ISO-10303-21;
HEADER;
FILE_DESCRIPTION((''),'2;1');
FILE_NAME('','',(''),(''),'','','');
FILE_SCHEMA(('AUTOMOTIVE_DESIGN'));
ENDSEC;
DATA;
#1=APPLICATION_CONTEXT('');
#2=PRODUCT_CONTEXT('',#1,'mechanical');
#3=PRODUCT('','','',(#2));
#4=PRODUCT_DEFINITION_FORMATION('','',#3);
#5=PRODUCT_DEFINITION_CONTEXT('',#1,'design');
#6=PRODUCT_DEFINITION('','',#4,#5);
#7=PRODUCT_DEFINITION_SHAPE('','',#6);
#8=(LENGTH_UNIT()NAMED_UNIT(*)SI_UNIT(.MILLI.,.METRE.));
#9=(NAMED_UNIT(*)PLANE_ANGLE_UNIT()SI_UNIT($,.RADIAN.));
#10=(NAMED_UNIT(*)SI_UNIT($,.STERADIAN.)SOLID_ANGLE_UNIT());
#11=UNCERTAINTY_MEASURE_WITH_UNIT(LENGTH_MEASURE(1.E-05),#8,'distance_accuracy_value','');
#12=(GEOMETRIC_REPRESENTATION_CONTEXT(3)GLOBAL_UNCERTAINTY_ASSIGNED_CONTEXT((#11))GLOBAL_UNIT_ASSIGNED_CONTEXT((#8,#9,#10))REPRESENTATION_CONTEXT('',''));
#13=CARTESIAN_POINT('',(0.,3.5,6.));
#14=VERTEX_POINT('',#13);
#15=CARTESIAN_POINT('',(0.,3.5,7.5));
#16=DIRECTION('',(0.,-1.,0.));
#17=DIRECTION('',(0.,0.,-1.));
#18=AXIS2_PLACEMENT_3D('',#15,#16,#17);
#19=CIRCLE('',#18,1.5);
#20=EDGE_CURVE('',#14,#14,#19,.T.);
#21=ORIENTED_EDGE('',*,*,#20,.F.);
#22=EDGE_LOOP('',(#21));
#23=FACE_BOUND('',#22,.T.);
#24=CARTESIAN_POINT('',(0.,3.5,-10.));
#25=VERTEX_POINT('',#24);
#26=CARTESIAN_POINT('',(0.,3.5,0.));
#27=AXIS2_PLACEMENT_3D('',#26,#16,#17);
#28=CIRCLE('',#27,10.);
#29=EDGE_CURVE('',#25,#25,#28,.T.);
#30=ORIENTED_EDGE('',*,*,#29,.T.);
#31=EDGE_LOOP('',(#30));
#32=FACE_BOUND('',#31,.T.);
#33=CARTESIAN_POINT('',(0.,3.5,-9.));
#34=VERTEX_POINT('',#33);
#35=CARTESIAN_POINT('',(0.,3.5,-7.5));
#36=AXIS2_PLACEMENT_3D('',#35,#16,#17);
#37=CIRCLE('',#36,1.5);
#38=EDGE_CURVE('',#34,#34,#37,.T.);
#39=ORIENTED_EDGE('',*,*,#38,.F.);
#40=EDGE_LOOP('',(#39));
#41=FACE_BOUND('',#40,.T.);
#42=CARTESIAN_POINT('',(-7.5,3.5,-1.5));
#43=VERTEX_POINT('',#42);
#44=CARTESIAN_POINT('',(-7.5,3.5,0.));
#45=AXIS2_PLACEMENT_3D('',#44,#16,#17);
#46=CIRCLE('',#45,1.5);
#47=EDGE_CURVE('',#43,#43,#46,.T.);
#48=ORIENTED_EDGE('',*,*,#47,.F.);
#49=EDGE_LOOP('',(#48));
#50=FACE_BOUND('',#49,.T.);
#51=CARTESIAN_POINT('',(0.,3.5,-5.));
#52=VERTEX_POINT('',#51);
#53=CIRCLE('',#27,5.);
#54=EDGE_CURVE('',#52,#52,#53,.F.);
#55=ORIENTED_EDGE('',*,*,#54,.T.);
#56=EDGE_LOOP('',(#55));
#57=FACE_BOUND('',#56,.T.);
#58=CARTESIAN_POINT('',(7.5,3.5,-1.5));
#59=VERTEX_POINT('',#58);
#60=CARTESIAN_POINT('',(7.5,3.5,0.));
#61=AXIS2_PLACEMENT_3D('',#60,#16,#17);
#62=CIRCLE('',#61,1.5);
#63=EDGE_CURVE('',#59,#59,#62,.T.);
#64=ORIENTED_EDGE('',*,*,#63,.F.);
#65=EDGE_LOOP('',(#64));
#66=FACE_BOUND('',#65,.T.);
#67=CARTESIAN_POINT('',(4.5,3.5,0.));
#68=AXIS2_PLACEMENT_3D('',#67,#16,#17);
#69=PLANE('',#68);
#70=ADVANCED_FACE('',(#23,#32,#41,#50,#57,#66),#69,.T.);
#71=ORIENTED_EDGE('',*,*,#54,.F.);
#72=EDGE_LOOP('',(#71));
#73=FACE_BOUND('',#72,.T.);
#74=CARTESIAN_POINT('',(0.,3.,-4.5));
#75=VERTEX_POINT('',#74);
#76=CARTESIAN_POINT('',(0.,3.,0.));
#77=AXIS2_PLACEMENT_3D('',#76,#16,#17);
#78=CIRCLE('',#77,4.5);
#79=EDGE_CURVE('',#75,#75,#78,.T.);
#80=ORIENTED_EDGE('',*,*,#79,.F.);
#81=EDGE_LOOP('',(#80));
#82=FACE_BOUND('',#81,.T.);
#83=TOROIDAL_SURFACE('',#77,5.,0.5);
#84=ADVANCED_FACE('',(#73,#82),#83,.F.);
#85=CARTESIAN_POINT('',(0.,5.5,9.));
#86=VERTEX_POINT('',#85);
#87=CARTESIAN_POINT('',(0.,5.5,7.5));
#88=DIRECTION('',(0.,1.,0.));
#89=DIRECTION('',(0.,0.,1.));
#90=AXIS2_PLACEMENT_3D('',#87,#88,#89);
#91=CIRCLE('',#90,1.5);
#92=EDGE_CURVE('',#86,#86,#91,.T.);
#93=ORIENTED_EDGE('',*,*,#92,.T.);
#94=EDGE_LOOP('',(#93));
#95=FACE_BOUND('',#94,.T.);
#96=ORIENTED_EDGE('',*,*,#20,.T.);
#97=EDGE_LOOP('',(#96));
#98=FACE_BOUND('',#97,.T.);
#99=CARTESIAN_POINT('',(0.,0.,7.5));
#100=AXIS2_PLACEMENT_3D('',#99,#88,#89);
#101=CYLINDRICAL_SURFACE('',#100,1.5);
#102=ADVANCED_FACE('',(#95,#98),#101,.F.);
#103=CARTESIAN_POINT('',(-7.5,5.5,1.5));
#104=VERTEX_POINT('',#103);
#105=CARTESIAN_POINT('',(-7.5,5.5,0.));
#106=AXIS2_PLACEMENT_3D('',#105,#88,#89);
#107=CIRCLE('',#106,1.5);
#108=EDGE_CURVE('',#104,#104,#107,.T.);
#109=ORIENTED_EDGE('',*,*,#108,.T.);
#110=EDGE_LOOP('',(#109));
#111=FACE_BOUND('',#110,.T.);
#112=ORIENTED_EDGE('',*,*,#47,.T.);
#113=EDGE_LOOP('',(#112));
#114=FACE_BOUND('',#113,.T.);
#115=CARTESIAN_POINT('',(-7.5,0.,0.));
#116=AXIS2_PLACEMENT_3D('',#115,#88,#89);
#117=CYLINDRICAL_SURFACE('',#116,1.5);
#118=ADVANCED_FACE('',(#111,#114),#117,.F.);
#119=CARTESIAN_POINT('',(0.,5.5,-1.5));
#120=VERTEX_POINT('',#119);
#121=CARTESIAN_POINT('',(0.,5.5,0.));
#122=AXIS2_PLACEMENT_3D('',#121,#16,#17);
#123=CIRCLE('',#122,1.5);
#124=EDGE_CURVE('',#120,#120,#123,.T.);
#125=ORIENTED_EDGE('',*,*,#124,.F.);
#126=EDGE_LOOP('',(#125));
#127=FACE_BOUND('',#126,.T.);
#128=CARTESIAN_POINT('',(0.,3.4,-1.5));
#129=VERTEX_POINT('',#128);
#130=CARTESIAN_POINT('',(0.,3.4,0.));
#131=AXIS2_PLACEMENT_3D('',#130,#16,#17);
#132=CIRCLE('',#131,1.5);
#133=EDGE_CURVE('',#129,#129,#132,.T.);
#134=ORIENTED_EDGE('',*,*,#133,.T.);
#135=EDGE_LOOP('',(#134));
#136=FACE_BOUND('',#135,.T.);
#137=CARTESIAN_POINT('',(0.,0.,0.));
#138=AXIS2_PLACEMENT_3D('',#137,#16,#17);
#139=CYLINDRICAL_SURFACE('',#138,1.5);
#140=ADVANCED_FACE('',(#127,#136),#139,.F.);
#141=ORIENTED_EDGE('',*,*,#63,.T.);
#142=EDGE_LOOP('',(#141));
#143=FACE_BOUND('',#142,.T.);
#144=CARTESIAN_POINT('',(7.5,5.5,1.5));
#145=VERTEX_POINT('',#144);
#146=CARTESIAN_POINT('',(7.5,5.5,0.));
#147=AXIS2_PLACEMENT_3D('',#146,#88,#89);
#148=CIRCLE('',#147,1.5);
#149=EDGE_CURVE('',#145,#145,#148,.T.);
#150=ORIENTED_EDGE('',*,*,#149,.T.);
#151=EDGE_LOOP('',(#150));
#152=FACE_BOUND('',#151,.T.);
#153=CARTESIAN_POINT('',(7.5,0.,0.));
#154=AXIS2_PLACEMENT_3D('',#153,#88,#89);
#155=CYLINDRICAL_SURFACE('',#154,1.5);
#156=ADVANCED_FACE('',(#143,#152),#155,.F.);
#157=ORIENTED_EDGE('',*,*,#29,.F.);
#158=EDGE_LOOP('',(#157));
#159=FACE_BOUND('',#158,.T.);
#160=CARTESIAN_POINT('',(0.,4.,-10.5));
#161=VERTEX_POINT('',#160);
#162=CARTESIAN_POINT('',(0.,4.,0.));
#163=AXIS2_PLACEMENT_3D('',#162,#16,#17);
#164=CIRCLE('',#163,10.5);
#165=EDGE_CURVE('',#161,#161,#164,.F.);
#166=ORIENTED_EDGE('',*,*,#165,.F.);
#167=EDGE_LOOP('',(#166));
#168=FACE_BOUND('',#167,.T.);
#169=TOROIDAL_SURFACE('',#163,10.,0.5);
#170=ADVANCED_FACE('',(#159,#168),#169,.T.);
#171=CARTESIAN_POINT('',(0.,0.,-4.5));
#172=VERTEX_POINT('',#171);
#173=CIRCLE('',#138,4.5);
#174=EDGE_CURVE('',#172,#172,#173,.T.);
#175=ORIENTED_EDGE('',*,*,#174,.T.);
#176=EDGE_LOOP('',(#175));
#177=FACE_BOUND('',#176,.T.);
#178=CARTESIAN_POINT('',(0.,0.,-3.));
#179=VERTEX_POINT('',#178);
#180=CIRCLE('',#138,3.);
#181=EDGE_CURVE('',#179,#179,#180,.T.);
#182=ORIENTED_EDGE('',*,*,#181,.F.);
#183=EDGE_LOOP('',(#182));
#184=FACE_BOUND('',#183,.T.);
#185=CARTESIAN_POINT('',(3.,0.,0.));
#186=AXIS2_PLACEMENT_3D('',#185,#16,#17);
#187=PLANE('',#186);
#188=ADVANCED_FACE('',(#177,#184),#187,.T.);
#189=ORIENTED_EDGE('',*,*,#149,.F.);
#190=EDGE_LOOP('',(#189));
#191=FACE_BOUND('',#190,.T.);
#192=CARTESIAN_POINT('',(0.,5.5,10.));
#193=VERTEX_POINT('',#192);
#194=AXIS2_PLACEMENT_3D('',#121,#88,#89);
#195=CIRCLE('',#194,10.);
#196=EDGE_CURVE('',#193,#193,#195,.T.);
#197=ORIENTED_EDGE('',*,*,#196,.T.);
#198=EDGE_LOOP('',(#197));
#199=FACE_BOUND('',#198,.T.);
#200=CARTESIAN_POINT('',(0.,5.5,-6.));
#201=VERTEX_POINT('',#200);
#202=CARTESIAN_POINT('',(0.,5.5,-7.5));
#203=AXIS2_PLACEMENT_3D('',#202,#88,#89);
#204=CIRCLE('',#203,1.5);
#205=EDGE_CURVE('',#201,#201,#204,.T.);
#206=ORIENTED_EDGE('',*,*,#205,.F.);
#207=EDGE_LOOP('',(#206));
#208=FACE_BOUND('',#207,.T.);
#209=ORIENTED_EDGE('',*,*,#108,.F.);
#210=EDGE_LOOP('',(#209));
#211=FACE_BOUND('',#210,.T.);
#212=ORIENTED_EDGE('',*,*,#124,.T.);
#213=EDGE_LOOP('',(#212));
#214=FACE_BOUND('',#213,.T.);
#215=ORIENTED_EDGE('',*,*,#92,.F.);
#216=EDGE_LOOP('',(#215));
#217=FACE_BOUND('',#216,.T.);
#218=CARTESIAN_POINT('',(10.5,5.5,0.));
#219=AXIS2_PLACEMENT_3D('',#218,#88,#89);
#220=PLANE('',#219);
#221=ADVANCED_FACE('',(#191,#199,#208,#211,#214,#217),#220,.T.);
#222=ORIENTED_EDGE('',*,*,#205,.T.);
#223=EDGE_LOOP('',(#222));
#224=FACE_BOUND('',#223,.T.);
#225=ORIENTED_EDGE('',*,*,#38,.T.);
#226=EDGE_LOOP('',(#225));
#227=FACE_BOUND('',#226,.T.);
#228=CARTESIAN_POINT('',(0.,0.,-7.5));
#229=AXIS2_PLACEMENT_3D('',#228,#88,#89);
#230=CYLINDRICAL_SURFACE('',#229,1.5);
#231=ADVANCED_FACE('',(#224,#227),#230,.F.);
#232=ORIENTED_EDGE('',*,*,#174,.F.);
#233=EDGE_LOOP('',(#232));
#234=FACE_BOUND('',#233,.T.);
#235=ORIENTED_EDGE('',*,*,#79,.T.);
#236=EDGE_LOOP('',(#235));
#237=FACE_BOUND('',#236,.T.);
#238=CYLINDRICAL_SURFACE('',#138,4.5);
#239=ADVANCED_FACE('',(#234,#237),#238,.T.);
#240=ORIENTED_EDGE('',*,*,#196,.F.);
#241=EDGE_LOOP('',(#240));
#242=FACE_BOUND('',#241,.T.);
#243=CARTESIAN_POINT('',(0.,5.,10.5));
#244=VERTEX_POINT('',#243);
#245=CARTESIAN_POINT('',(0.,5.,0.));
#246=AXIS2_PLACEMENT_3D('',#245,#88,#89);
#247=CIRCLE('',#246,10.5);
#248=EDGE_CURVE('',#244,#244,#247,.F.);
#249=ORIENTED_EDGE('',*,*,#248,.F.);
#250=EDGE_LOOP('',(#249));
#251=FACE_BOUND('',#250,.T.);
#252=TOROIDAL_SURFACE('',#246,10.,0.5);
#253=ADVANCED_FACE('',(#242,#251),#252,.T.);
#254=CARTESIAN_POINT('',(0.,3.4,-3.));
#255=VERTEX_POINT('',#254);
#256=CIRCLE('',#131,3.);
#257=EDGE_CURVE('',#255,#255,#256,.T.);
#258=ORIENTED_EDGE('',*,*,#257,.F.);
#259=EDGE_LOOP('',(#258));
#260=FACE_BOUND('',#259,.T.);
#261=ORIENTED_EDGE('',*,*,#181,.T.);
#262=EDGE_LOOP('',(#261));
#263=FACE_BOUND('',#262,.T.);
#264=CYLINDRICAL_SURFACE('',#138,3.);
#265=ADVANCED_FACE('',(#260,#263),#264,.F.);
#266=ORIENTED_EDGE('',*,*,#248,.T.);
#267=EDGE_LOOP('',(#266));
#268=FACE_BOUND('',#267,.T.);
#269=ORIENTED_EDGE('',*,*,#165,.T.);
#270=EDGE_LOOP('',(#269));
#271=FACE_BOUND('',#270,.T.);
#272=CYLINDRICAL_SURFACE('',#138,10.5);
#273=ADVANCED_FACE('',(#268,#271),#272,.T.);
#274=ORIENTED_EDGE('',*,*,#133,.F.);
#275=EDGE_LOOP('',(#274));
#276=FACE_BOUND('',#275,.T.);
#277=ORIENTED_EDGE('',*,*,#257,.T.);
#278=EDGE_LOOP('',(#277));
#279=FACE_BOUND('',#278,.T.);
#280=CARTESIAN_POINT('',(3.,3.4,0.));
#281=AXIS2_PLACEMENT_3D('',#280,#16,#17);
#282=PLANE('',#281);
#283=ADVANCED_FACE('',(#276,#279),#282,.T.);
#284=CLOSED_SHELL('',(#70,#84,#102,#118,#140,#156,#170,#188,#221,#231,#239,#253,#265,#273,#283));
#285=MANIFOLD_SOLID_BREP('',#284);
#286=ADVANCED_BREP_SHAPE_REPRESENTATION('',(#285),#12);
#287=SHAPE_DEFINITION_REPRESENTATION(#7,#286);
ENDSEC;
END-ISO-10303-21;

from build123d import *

# Parameters (mm, degrees)
FILLET1_R          = 0.5
SKETCH2_R          = 1.5
CUT_EXTRUDE1_DEPTH = 16.835087755


with BuildPart() as part:
    # Sketch1 → Revolve1 (revolve)
    with BuildSketch(Plane.XY, mode=Mode.PRIVATE) as revolve1_sk:
        Polygon((3, 0), (3, 3.4), (1.5, 3.4), (1.5, 5.5), (10.5, 5.5), (10.5, 3.5), (4.5, 3.5), (4.5, 0), align=None)
    revolve(revolve1_sk.sketch.rotate(Axis((0, 0, 0), (0, 1, 0)), 90), axis=Axis((0, 0, 0), (0, 1, 0)))

    # Fillet1
    fillet1_edges = [part.edges().sort_by_distance(p)[0] for p in [
        (0, 5.5, 10.5),
        (0, 3.5, 10.5),
        (0, 3.5, 4.5),
    ]]
    fillet(fillet1_edges, radius=FILLET1_R)

    # Sketch2 → Cut-Extrude1 (cut, through all)
    with BuildSketch(Plane(origin=(0, 5.5, 0), x_dir=(1, 0, 0), z_dir=(0, 1, 0))):
        with Locations(Location((0, 7.5, 0), (0, 0, 270))):
            Circle(SKETCH2_R)
        with Locations(Location((-7.5, 0, 0), (0, 0, 270))):
            Circle(SKETCH2_R)
        with Locations(Location((0, -7.5, 0), (0, 0, 270))):
            Circle(SKETCH2_R)
        with Locations(Location((7.5, 0, 0), (0, 0, 270))):
            Circle(SKETCH2_R)
    extrude(amount=-CUT_EXTRUDE1_DEPTH, mode=Mode.SUBTRACT)


solid = part.part
